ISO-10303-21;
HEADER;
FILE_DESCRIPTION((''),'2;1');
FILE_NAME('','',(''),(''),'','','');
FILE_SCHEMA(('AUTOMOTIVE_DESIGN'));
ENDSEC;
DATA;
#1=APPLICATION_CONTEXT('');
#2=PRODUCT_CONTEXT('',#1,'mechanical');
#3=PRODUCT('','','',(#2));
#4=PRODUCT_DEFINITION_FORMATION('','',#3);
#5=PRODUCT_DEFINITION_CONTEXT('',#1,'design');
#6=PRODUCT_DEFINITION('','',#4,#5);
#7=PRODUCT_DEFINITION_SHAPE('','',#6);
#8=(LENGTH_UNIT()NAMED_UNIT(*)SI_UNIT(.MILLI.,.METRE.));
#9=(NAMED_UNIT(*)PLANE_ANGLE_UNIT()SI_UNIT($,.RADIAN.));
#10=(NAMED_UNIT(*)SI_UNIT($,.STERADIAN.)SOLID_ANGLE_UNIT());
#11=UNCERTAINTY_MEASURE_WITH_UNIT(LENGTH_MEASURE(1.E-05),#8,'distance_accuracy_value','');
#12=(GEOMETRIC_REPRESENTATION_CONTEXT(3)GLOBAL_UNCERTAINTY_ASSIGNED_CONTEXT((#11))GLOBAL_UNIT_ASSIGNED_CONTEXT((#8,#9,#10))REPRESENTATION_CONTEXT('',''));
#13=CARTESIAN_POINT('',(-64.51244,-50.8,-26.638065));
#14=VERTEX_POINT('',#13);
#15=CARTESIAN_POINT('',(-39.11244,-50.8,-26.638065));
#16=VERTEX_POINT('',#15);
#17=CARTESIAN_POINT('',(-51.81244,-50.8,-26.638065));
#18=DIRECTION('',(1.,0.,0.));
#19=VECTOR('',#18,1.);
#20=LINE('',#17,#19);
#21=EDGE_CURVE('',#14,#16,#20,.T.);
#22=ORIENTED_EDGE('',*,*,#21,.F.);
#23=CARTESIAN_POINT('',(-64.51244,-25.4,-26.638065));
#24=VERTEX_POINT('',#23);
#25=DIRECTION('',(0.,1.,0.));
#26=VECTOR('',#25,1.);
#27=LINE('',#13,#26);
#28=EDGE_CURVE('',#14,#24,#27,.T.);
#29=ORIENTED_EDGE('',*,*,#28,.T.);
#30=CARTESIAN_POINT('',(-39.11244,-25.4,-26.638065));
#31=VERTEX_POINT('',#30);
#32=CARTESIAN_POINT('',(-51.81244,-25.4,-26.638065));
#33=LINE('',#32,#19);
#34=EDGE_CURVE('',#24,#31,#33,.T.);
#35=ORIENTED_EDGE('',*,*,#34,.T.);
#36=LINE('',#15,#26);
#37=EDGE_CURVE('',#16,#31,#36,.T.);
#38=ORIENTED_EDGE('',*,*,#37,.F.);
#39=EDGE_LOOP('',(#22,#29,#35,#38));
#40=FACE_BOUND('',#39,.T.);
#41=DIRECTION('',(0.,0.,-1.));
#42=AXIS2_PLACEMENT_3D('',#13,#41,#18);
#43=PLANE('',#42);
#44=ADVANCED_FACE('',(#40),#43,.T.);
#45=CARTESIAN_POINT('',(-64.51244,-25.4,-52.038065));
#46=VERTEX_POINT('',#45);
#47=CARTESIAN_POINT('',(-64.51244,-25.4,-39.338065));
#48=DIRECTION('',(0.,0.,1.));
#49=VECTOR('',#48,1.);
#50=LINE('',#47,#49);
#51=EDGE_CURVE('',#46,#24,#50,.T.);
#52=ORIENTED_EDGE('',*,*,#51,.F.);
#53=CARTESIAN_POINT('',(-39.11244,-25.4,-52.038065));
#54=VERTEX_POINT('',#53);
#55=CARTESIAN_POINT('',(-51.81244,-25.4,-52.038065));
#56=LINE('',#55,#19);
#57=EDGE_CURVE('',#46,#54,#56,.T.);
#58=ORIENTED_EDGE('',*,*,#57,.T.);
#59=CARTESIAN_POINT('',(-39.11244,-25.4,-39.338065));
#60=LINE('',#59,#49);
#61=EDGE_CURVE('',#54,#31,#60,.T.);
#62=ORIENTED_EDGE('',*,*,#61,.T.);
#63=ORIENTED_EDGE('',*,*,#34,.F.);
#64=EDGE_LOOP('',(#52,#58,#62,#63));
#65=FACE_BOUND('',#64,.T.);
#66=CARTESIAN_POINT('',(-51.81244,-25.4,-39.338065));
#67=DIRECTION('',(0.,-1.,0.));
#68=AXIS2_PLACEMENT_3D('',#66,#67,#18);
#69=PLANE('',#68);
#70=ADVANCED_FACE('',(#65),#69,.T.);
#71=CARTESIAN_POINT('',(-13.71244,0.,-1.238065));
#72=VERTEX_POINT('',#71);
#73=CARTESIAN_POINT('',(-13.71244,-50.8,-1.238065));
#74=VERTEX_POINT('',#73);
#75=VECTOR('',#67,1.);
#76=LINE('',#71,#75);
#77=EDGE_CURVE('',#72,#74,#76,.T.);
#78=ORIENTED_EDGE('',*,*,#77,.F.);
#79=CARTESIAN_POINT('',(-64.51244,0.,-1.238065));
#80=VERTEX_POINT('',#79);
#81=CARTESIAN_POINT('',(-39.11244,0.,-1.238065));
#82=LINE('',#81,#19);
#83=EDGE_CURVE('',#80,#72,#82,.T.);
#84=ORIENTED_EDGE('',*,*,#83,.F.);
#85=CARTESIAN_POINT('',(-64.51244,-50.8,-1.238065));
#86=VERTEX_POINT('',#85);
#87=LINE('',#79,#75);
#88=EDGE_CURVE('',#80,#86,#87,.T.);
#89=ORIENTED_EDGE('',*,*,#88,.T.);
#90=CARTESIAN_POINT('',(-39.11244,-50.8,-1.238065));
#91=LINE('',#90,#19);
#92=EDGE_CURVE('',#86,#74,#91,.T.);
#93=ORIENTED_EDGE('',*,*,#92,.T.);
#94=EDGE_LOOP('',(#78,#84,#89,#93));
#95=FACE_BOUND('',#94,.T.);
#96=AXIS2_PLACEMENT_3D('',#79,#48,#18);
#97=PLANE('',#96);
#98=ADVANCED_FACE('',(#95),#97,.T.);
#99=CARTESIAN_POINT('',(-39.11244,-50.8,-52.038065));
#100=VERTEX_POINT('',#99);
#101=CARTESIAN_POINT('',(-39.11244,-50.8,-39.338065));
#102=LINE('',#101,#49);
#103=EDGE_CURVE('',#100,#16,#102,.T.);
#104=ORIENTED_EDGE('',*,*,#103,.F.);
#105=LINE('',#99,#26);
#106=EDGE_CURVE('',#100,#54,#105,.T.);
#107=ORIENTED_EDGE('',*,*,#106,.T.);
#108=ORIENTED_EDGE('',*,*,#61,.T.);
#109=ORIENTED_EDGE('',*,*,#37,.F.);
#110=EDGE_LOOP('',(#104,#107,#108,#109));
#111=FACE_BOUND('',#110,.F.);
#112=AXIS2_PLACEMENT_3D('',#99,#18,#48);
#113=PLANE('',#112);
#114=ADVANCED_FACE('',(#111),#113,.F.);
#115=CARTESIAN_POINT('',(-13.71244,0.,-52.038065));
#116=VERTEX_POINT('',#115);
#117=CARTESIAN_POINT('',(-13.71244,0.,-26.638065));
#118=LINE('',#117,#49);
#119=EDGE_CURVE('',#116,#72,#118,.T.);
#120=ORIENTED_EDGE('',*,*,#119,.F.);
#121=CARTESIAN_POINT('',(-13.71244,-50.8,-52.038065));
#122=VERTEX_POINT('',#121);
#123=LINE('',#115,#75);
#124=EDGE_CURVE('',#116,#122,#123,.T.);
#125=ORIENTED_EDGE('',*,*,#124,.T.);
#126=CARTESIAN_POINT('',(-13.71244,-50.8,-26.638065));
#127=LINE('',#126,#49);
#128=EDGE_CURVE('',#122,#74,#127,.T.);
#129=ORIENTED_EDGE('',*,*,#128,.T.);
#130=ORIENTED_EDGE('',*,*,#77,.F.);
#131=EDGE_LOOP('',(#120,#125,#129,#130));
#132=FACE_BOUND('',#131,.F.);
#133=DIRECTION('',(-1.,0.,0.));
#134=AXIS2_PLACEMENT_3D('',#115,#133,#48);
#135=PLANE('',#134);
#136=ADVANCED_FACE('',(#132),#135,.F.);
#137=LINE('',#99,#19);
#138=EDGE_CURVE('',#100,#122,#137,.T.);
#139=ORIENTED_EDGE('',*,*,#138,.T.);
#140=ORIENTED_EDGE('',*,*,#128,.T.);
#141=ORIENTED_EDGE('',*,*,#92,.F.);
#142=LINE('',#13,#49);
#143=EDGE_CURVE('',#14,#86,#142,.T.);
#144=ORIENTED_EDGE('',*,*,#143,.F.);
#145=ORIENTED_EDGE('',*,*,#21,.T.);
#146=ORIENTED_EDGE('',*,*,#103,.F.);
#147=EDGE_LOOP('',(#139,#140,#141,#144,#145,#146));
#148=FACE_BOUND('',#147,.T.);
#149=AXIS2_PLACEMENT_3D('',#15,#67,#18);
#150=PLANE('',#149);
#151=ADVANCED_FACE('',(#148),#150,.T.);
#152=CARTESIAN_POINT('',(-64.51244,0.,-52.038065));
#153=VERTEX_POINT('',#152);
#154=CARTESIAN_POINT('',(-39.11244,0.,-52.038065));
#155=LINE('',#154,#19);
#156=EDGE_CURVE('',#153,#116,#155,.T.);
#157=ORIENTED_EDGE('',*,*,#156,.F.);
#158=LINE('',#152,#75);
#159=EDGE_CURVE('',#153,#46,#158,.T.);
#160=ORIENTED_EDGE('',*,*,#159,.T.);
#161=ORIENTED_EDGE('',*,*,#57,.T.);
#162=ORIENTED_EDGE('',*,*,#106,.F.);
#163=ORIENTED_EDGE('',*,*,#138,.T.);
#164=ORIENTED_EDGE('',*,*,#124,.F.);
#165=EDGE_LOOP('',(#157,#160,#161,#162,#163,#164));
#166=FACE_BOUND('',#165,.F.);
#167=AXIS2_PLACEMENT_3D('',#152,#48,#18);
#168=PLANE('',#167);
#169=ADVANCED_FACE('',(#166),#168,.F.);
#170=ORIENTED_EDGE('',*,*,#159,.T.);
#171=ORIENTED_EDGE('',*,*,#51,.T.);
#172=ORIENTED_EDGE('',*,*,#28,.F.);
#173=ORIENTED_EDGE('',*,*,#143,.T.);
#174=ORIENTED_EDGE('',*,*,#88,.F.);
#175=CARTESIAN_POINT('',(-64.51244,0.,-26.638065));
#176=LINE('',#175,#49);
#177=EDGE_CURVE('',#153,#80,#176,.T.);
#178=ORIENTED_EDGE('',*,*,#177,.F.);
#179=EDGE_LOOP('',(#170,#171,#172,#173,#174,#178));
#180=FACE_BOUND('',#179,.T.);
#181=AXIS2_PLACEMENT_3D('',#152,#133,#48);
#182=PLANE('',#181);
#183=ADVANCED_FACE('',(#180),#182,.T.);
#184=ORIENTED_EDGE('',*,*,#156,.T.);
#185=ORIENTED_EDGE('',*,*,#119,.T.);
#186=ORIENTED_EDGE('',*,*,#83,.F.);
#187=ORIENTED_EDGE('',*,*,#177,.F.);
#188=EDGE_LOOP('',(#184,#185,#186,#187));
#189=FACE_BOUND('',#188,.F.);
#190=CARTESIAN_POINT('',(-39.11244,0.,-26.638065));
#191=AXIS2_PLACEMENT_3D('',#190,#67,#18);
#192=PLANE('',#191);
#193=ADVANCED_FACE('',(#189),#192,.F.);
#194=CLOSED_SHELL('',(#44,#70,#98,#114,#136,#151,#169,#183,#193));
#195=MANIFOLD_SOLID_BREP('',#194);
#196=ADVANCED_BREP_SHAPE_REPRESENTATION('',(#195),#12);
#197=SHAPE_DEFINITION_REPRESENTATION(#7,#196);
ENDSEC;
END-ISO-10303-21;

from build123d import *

# Parameters (mm, degrees)
F0_W     = 50.8
F0_H     = 50.8
F1_DEPTH = 50.8
F2_W     = 25.4
F2_H     = 25.4
F3_DEPTH = 25.4


with BuildPart() as f1:
    # F0 (on Front) → F1 (new body)
    with BuildSketch(Plane.XZ):
        with Locations((-39.11244, -26.638065)):
            Rectangle(F0_W, F0_H)
    extrude(amount=F1_DEPTH)

    # F2 (on face) → F3 (cut)
    with BuildSketch(Plane.XZ.offset(50.8)):
        with Locations((-51.81244, -39.338065)):
            Rectangle(F2_W, F2_H)
    extrude(amount=-F3_DEPTH, mode=Mode.SUBTRACT)


solid = f1.part
